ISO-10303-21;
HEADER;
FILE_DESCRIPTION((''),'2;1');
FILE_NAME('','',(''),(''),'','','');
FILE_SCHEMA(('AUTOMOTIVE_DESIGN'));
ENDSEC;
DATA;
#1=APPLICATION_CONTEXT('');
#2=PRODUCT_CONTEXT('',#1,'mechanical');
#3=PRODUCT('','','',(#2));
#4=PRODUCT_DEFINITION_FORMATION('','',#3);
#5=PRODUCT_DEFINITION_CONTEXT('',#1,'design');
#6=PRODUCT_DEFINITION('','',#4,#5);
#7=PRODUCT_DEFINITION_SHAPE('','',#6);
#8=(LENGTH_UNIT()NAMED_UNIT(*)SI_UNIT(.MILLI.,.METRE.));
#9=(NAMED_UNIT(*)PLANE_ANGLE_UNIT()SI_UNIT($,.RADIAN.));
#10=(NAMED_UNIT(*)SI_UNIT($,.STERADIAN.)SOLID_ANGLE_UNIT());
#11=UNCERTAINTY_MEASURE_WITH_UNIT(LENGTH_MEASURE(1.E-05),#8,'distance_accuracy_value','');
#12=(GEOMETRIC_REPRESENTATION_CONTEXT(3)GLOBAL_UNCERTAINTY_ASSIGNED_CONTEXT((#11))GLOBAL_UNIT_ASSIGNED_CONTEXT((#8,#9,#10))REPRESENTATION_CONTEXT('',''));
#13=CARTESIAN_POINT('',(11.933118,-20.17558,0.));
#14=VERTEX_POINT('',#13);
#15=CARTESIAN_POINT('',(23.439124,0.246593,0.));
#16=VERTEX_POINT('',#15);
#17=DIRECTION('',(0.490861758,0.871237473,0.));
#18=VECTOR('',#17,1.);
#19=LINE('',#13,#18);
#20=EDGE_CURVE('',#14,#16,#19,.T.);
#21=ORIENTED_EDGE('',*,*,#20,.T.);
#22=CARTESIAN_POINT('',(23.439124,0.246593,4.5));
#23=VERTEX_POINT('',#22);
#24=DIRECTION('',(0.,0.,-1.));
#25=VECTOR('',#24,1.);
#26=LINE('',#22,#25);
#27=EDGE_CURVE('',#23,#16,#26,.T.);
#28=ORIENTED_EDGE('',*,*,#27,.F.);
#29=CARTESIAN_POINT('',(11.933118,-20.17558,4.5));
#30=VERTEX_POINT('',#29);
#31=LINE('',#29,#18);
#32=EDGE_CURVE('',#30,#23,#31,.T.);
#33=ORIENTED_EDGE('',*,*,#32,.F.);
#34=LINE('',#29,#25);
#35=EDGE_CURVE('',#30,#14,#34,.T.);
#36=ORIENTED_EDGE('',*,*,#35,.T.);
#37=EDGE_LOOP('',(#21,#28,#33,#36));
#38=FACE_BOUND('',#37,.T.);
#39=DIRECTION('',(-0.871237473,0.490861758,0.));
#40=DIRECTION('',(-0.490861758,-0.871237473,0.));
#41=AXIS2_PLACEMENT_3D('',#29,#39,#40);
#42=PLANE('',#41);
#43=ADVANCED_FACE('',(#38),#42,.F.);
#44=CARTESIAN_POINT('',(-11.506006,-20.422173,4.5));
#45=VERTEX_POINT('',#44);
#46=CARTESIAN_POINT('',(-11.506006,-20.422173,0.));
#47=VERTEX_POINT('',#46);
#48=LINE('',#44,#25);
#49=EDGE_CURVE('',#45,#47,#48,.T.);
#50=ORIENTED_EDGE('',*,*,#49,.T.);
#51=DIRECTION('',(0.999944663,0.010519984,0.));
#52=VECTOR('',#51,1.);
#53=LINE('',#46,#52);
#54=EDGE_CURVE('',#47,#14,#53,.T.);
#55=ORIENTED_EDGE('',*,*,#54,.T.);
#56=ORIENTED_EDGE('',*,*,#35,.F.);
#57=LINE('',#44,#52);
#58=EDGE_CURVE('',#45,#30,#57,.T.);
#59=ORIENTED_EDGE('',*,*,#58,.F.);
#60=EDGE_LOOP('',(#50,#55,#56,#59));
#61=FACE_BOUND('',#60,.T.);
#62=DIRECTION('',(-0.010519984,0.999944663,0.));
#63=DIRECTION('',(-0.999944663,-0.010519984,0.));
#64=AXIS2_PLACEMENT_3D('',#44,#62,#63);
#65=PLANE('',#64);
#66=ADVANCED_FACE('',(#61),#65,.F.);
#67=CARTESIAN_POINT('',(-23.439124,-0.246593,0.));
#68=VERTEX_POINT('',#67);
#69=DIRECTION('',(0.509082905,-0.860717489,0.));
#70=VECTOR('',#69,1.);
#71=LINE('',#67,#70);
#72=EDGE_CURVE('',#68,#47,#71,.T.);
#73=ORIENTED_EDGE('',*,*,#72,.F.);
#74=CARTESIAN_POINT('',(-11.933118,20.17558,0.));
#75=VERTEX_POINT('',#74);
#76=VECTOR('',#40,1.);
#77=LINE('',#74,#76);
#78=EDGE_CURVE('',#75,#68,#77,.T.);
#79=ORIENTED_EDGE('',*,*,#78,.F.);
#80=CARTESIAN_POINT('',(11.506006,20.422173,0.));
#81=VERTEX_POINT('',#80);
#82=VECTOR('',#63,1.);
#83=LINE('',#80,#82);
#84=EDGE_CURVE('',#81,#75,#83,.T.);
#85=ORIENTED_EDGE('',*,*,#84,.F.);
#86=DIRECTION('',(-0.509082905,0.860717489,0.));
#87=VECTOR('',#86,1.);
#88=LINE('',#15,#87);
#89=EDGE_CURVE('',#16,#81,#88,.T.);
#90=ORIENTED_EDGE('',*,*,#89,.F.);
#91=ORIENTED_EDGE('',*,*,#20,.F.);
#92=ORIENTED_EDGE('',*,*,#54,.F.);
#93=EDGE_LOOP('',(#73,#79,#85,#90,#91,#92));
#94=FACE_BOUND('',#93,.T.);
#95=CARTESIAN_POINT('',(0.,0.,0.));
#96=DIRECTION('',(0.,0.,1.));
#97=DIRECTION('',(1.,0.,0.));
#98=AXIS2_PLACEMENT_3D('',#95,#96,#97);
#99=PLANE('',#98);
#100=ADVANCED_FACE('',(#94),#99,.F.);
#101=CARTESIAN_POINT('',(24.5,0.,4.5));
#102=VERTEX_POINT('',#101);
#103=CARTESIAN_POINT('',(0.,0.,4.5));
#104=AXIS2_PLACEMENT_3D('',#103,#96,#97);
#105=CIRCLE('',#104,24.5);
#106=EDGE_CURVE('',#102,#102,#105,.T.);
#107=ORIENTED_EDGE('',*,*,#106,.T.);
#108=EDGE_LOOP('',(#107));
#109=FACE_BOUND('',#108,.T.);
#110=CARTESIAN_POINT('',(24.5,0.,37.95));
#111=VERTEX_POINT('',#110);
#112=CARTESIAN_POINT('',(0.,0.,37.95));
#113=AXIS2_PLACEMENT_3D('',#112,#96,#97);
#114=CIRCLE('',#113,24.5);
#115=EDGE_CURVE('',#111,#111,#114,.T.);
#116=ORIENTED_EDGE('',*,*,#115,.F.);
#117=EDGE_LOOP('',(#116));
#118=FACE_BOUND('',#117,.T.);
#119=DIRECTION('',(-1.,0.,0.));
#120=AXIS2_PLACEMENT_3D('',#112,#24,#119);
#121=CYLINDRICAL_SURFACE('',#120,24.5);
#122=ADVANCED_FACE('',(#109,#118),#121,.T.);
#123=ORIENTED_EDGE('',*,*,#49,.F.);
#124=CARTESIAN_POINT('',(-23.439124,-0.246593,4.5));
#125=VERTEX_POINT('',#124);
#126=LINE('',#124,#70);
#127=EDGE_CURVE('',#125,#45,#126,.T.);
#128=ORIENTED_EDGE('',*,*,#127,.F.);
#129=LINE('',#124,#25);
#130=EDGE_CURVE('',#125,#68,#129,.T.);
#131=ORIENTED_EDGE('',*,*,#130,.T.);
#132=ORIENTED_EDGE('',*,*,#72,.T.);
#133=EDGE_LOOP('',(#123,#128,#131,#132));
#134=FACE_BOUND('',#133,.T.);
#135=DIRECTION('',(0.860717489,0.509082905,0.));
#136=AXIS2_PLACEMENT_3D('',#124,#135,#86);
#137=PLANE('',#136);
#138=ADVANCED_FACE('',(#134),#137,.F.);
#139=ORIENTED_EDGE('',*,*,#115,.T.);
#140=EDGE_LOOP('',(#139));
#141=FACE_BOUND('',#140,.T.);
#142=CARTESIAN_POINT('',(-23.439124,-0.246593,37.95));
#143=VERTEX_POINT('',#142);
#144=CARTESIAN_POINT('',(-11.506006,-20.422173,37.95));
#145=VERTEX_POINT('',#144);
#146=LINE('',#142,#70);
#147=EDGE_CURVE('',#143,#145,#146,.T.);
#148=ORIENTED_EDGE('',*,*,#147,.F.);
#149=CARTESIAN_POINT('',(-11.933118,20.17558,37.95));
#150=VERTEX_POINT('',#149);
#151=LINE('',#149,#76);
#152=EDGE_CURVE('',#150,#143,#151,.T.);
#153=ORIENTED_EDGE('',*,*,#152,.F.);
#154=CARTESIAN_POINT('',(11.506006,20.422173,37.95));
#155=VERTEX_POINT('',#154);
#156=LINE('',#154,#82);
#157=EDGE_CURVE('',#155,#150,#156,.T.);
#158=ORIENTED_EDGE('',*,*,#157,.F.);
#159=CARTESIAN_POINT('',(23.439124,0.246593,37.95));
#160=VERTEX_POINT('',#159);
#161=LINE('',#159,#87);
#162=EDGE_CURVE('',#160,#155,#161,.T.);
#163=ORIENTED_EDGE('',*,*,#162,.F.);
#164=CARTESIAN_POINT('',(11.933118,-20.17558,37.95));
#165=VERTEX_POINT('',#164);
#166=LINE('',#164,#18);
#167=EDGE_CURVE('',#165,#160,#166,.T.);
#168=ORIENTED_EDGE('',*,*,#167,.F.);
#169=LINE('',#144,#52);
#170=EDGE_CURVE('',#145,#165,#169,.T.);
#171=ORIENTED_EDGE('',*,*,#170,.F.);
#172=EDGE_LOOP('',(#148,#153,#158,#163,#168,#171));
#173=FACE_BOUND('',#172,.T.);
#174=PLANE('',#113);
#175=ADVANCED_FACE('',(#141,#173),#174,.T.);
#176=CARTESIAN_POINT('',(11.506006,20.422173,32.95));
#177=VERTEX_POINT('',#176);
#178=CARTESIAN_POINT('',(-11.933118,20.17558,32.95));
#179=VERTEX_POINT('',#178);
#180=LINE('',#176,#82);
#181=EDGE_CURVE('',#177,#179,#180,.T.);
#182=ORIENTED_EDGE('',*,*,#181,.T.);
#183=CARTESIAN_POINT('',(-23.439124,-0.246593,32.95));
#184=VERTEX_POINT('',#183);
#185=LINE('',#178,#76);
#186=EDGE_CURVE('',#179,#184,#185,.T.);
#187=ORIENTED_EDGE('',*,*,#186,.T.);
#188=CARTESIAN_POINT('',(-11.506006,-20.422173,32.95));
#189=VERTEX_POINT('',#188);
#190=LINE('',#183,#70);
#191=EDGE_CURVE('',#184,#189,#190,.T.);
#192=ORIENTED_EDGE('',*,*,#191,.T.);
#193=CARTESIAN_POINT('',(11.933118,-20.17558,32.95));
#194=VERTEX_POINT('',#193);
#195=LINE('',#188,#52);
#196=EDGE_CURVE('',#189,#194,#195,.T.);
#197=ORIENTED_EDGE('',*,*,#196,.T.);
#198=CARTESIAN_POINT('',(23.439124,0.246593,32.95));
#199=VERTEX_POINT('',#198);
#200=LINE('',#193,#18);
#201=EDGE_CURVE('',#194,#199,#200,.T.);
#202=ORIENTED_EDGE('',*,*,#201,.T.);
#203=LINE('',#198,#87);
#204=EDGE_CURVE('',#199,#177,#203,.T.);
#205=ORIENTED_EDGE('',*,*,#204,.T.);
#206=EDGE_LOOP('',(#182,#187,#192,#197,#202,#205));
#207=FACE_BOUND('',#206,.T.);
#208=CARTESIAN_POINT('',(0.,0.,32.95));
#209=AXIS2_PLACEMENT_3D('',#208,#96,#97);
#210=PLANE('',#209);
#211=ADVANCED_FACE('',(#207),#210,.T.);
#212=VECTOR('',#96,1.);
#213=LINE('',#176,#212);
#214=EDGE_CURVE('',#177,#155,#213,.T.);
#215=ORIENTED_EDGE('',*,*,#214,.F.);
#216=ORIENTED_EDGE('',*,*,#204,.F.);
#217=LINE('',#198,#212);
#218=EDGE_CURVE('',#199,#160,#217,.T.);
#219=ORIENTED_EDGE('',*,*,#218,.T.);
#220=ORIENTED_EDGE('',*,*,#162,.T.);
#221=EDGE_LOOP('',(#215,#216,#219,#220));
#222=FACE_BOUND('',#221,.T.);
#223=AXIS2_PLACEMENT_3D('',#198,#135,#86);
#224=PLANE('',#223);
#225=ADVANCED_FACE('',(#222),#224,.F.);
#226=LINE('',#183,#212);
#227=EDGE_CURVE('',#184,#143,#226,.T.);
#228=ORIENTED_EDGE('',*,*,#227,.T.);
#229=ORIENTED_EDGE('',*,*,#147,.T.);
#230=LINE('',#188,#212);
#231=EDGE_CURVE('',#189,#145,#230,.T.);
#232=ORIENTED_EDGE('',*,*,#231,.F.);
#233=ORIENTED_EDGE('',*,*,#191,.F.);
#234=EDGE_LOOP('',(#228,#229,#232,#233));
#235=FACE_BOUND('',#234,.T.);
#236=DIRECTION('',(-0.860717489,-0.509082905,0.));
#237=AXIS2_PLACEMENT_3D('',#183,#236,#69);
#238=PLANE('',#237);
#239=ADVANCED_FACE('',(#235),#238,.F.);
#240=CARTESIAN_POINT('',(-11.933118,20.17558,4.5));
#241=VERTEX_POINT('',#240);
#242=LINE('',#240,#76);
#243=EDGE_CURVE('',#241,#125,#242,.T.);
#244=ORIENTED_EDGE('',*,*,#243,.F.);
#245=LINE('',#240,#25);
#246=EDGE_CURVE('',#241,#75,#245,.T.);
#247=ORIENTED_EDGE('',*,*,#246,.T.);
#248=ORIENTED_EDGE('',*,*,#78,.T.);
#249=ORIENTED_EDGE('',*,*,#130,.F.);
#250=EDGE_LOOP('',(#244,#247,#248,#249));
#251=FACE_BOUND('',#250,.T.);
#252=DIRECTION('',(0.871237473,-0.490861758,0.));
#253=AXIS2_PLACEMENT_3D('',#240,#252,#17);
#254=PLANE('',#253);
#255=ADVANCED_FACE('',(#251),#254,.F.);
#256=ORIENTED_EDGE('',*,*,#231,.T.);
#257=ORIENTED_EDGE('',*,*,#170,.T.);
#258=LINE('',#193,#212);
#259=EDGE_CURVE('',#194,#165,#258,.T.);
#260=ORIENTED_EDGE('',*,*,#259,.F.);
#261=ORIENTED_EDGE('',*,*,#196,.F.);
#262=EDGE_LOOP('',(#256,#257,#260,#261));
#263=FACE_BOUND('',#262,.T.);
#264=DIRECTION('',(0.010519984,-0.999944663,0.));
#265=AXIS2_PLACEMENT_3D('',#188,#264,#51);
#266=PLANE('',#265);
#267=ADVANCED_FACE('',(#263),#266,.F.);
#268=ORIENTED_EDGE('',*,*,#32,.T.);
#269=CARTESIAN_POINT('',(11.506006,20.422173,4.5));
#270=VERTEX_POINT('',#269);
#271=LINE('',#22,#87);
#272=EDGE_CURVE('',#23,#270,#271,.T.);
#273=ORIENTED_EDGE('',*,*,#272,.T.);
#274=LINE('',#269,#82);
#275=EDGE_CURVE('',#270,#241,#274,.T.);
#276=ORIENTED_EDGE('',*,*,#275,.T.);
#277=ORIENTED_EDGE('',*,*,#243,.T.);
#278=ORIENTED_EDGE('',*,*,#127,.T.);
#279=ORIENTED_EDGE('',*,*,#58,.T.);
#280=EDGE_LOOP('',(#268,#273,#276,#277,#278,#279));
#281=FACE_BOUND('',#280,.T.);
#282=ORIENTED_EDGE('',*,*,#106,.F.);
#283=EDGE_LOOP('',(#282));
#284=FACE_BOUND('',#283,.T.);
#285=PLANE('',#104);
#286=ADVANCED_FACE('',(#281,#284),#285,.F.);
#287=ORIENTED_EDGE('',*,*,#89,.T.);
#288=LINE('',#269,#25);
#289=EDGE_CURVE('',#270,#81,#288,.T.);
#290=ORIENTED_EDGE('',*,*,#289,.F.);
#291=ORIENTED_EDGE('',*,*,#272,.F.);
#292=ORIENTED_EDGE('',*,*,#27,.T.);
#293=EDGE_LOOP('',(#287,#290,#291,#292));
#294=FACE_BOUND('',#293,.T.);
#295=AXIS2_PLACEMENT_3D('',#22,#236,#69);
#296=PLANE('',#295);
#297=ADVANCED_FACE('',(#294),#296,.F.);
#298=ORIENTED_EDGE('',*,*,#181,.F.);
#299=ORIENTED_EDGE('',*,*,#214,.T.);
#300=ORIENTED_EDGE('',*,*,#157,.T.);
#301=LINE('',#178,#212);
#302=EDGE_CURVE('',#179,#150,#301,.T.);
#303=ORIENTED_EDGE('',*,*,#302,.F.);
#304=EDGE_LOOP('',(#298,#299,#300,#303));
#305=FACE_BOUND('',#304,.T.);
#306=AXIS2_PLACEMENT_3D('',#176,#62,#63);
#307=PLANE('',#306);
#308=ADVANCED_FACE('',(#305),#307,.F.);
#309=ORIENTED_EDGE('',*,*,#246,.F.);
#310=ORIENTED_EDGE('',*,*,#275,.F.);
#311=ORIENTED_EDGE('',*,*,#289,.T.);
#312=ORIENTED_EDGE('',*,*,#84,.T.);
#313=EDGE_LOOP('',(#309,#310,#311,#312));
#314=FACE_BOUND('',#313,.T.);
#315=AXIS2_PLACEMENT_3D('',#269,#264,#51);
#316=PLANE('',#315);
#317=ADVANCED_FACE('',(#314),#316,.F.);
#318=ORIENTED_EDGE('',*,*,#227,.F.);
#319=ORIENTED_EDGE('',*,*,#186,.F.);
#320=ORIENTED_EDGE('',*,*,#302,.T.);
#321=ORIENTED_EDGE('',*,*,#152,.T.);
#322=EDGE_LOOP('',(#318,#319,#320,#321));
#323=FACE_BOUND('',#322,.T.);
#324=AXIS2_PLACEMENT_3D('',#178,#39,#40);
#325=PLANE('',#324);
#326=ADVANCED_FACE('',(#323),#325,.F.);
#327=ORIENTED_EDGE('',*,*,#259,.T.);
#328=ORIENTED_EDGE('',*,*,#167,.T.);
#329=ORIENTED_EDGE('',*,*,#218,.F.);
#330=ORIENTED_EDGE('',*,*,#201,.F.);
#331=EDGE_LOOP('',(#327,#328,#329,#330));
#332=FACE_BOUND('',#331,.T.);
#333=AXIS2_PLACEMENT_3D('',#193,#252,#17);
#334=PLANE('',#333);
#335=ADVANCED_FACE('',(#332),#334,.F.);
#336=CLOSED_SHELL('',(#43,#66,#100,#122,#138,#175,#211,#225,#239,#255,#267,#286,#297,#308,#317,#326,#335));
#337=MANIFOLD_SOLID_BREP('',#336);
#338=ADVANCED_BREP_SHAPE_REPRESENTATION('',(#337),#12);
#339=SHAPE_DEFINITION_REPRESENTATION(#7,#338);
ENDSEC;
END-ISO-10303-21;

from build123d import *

# Parameters (mm, degrees)
BOSS_EXTRUDE1_DEPTH = 4.5
SKETCH3_R           = 24.5
BOSS_EXTRUDE2_DEPTH = 33.45
CUT_EXTRUDE1_DEPTH  = 5


with BuildPart() as part:
    # Sketch1 → Boss-Extrude1 (new body)
    with BuildSketch(Plane(origin=(0, 0, 0), x_dir=(0, 1, 0), z_dir=(0, 0, 1))):
        Polygon((20.175580242, 11.933117582), (-0.246592851, 23.439123817), (-20.422173094, 11.506006235), (-20.175580242, -11.933117582), (0.246592851, -23.439123817), (20.422173094, -11.506006235), align=None)
    extrude(amount=BOSS_EXTRUDE1_DEPTH)

    # Sketch3 → Boss-Extrude2 (add)
    with BuildSketch(Plane.XY.offset(4.5)):
        Circle(SKETCH3_R)
    extrude(amount=BOSS_EXTRUDE2_DEPTH)

    # Sketch4 → Cut-Extrude1 (cut)
    with BuildSketch(Plane.XY.offset(37.95)):
        Polygon((11.506006235, 20.422173094), (-11.933117582, 20.175580242), (-23.439123817, -0.246592851), (-11.506006235, -20.422173094), (11.933117582, -20.175580242), (23.439123817, 0.246592851), align=None)
    extrude(amount=-CUT_EXTRUDE1_DEPTH, mode=Mode.SUBTRACT)


solid = part.part
